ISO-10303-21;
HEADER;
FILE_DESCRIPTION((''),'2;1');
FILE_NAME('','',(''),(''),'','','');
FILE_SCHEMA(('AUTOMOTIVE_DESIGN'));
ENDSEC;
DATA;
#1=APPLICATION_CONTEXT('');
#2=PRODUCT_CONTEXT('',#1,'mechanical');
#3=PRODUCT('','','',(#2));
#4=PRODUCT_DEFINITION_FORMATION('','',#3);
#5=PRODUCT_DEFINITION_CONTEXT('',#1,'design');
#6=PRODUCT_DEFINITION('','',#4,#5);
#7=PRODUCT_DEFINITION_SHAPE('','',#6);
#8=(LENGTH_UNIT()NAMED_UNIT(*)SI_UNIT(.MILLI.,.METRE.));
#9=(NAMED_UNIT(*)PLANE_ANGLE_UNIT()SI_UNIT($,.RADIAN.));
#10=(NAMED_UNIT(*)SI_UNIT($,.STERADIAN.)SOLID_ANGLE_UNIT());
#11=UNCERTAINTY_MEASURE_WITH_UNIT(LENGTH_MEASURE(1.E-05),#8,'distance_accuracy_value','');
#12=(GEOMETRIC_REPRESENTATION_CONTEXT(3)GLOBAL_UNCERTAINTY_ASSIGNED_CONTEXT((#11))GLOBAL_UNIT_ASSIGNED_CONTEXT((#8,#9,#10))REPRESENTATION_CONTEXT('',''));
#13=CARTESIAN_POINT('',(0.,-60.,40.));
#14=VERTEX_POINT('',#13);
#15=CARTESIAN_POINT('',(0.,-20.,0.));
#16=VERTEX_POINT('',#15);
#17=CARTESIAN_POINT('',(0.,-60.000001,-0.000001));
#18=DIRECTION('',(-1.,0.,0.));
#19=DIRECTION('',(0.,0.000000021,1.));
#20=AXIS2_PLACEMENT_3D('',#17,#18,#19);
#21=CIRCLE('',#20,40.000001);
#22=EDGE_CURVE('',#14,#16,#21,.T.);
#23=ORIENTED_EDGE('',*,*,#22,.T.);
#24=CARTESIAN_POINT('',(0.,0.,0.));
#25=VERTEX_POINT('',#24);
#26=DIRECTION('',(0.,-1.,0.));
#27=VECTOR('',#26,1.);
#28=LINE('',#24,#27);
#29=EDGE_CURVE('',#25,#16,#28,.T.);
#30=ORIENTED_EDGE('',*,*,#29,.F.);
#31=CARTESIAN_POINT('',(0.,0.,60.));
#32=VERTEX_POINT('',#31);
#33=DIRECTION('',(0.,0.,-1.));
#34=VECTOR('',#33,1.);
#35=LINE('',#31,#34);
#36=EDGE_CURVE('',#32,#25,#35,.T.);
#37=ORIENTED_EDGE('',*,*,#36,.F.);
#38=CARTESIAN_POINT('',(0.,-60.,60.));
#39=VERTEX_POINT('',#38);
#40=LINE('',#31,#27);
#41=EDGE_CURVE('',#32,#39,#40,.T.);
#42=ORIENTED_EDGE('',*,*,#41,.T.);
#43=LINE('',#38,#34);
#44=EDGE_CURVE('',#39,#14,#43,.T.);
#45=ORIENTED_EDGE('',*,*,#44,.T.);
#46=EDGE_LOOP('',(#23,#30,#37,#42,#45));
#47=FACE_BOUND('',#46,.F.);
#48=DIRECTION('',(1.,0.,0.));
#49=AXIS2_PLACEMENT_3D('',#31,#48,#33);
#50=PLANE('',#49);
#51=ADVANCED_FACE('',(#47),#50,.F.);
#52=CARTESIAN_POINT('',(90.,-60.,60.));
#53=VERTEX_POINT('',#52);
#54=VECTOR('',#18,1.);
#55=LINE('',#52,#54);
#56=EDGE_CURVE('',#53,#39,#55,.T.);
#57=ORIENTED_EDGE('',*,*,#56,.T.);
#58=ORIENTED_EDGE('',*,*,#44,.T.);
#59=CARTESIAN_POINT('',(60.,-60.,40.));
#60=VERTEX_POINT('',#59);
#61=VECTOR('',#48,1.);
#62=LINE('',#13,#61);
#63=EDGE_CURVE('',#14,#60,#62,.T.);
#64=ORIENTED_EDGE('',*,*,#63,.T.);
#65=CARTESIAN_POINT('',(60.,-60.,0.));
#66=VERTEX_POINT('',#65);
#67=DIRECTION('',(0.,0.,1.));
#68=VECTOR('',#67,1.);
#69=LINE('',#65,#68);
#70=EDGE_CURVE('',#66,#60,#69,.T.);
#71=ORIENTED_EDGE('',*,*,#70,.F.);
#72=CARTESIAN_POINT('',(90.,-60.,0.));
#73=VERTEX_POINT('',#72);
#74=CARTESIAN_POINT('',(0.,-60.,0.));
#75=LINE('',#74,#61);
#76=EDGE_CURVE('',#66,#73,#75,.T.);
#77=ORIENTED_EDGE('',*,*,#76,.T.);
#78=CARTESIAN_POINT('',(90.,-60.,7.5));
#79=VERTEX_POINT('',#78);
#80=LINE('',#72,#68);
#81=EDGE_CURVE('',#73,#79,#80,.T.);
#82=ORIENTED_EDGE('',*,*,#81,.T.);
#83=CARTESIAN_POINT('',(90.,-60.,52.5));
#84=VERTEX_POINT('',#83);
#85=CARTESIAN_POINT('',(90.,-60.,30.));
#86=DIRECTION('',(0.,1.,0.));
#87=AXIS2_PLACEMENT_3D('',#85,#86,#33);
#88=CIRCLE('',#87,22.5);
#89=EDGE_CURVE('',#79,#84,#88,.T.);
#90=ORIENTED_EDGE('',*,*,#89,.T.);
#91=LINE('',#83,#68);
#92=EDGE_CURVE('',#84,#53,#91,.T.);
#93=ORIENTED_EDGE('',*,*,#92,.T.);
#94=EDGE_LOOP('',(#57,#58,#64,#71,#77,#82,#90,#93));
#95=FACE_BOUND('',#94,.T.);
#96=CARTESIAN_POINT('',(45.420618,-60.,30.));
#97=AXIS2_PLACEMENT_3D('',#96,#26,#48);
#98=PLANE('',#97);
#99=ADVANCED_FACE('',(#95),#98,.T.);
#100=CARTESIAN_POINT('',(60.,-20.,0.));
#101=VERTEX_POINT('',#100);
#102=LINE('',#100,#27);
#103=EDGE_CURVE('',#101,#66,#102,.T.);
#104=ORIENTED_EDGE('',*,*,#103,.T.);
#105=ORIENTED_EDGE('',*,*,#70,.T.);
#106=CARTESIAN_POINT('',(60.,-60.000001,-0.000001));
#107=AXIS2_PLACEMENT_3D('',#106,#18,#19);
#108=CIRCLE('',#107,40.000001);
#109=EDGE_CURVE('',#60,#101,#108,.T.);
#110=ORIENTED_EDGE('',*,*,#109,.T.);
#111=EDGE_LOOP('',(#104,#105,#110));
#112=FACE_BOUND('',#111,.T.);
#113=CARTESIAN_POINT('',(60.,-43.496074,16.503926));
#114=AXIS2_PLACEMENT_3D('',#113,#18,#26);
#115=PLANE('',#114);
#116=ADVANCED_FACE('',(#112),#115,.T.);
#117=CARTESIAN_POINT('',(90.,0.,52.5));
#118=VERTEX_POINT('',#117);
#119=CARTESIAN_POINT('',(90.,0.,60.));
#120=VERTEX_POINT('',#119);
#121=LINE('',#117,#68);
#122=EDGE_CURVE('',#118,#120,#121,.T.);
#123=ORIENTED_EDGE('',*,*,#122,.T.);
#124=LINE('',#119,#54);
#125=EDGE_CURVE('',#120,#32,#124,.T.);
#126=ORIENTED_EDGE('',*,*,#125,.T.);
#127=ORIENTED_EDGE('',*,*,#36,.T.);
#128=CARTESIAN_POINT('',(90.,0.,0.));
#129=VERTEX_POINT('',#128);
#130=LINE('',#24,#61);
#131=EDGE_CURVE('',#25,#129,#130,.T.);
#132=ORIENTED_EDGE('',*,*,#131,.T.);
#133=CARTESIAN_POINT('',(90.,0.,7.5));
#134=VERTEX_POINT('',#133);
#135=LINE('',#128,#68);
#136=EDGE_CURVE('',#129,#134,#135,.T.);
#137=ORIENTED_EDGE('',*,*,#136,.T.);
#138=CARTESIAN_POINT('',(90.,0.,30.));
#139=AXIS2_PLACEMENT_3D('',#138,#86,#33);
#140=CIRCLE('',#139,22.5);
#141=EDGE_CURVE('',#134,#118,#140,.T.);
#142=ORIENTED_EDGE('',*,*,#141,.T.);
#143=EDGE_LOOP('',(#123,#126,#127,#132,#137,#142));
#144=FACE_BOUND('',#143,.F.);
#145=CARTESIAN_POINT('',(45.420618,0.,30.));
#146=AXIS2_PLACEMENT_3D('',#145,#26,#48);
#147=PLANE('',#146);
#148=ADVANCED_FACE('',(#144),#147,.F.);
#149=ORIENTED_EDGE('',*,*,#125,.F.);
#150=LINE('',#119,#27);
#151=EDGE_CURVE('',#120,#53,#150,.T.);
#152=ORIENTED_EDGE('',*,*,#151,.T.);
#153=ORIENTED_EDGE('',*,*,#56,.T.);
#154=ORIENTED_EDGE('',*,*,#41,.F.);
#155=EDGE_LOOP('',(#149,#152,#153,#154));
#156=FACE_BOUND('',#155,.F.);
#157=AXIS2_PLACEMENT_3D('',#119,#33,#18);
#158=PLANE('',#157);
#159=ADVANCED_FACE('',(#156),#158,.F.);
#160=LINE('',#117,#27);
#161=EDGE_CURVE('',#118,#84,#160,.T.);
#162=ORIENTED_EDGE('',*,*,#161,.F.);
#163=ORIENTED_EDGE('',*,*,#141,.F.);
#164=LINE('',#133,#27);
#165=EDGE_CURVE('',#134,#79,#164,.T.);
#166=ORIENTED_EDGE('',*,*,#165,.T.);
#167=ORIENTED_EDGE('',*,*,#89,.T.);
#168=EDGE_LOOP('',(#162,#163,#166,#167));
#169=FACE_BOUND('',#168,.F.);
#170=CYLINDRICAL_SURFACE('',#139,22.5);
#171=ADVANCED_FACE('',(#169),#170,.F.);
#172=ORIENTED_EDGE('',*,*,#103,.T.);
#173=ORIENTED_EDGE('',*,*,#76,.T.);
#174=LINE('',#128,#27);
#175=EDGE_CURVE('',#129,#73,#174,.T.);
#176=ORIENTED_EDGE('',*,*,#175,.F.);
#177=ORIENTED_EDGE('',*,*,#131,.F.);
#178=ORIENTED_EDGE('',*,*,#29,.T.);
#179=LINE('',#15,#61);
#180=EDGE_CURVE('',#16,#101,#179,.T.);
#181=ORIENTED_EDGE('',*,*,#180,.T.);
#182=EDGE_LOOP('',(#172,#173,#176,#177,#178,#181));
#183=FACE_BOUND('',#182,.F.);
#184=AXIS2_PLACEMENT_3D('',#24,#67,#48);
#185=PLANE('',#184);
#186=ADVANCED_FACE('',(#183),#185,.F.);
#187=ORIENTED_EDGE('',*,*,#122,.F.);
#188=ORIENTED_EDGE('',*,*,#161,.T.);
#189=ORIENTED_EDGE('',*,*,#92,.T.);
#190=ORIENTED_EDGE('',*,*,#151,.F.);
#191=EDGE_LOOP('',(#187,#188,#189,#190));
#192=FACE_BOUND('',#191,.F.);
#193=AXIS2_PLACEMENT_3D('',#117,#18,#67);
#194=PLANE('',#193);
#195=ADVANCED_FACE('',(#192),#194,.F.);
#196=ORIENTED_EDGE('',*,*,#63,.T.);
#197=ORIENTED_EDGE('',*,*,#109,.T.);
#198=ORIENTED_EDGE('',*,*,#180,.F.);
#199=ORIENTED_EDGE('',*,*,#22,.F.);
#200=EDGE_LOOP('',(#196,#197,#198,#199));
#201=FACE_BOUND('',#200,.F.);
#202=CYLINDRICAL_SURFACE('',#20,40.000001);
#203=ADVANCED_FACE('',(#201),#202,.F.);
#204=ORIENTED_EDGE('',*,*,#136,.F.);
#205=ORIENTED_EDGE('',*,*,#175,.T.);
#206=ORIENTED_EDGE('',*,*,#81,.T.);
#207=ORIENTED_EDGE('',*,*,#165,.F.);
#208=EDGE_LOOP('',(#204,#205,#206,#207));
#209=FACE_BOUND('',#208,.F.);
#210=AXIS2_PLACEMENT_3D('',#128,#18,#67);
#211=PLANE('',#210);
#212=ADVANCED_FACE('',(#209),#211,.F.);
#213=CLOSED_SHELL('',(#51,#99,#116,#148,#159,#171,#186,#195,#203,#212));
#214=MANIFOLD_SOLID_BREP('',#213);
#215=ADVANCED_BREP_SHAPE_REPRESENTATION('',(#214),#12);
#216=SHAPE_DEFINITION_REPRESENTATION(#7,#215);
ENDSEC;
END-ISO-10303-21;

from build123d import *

# Parameters (mm, degrees)
F1_DEPTH = 60
F3_DEPTH = 60


with BuildPart() as f1:
    # F0 (on Front) → F1 (new body)
    with BuildSketch(Plane.XZ):
        with BuildLine():
            Line((0, 60), (0, 0))
            Line((0, 0), (90, 0))
            Line((90, 0), (90, 7.5))
            ThreePointArc((90, 7.5), (67.5, 30), (90, 52.5))
            Line((90, 52.5), (90, 60))
            Line((90, 60), (0, 60))
        make_face()
    extrude(amount=F1_DEPTH)

    # F2 (on face) → F3 (cut)
    with BuildSketch(Plane(origin=(0, 0, 0), x_dir=(0, -1, 0), z_dir=(-1, 0, 0))):
        with BuildLine():
            Line((60, 0), (60, 40))
            ThreePointArc((60, 40), (31.715729, 28.284271), (20, 0))
            Line((20, 0), (60, 0))
        make_face()
    extrude(amount=-F3_DEPTH, mode=Mode.SUBTRACT)


solid = f1.part
